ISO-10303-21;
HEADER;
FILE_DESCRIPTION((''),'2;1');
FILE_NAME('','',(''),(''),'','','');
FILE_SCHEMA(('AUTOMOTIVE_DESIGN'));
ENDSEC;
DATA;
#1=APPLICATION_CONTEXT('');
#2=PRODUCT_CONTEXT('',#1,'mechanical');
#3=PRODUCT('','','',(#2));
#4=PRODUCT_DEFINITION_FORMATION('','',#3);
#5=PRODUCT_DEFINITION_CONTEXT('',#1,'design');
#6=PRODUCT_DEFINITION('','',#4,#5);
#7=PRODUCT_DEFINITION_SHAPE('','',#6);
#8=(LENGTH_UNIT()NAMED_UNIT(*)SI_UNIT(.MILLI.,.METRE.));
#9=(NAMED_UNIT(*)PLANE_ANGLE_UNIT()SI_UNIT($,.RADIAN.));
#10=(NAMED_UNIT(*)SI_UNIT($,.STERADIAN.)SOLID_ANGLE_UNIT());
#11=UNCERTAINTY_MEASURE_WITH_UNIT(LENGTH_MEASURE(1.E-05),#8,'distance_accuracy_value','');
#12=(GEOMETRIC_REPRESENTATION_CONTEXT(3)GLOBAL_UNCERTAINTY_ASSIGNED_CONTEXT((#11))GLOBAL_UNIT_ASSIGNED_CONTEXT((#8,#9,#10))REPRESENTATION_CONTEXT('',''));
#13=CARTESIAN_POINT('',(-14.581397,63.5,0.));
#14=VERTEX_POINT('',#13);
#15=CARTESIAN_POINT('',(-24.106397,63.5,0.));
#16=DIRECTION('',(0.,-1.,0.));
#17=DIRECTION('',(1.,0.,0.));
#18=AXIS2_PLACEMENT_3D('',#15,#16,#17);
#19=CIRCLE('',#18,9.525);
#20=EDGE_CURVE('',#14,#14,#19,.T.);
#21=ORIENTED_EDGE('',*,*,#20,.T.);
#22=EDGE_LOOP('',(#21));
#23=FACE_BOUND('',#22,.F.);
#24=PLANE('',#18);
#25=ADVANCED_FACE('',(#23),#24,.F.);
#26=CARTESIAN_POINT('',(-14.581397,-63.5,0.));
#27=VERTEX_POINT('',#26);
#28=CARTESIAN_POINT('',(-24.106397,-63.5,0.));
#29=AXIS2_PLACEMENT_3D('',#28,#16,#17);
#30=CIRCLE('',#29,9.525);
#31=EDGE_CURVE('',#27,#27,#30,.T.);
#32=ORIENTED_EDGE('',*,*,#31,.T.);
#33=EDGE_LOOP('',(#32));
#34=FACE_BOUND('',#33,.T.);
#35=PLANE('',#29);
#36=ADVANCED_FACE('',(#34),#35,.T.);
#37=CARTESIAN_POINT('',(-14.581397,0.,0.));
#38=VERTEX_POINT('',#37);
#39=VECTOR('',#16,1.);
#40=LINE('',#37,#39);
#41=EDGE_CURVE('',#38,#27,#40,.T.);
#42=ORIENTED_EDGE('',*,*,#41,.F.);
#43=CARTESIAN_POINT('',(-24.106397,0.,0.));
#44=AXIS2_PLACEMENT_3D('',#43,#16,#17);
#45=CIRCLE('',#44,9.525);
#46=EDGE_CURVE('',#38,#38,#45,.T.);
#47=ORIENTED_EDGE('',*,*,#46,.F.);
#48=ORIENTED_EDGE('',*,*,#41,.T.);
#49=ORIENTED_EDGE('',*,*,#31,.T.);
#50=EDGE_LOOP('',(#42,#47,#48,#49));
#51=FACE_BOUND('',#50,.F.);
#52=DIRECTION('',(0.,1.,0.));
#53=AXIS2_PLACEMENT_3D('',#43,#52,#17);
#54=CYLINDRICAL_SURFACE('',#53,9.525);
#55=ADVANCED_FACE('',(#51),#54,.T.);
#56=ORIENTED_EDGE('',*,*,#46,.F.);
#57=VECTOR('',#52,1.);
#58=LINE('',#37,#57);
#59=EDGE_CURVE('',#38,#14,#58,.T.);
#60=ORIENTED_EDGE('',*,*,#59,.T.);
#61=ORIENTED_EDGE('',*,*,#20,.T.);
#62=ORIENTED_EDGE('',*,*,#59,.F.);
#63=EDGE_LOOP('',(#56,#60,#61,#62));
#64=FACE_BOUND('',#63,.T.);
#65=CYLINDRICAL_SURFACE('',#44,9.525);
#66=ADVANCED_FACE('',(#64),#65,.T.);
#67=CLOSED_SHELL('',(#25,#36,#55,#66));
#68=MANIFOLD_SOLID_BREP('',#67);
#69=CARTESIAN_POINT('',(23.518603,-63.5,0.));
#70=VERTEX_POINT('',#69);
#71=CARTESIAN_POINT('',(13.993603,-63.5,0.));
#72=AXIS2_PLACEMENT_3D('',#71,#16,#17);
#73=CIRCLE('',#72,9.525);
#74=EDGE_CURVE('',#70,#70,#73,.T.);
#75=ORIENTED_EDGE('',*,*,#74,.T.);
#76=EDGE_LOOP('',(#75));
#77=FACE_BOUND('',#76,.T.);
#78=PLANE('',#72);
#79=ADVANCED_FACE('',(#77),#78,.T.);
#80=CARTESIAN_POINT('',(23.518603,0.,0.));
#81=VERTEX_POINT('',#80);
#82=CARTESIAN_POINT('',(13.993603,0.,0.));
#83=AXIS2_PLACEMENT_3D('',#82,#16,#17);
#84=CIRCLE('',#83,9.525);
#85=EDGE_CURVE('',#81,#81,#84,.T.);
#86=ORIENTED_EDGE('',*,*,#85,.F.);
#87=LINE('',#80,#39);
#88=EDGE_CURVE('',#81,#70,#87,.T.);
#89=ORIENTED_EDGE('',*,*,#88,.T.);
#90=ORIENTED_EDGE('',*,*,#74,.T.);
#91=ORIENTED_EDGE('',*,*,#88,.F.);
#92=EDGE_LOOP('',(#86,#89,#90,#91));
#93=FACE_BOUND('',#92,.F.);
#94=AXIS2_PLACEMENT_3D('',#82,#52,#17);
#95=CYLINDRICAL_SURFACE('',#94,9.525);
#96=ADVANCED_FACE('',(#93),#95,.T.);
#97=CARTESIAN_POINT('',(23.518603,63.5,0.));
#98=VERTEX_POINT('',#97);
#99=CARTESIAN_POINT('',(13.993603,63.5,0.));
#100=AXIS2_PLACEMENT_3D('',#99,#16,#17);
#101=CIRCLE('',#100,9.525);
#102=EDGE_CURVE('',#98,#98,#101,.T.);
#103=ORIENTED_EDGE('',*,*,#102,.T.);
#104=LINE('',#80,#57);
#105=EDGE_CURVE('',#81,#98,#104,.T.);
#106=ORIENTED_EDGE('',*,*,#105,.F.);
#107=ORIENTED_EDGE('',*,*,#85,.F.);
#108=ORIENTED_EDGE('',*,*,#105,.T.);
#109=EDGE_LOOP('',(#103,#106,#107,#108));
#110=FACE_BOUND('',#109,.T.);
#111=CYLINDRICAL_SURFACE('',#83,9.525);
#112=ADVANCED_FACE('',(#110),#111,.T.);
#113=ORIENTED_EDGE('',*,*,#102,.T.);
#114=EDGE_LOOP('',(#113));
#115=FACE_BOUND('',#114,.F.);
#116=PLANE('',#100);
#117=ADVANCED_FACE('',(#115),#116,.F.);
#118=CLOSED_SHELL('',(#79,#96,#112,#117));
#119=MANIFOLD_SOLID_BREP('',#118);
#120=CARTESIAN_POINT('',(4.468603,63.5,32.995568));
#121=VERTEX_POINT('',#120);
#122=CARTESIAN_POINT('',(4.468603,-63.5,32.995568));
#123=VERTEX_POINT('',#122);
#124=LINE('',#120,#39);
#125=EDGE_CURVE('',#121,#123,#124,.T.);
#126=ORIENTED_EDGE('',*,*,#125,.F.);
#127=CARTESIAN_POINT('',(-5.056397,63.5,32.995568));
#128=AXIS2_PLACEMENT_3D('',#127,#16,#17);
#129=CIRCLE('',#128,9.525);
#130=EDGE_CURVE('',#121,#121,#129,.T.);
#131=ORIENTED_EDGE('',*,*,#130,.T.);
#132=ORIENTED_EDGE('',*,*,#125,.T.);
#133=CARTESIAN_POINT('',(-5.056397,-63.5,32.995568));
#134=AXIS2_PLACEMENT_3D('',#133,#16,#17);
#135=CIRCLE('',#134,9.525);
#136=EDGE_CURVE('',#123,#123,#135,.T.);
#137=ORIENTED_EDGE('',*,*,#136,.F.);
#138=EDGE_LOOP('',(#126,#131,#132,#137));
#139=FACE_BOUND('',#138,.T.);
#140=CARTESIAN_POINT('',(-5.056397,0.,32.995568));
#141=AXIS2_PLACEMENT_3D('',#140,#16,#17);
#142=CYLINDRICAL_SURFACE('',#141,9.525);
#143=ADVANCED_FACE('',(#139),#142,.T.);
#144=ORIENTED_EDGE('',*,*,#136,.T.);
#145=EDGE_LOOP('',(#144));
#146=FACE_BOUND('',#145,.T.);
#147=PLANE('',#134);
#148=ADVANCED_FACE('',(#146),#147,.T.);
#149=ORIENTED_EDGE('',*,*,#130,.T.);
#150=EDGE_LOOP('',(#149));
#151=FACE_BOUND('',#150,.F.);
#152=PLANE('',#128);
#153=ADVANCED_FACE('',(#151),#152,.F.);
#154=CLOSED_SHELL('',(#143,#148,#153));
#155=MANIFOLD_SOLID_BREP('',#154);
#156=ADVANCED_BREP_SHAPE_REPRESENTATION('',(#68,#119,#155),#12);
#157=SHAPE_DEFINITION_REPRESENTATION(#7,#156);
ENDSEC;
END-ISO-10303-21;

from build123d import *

# Parameters (mm, degrees)
F0_R     = 9.525
F1_DEPTH = 63.5


with BuildPart() as f1:
    # F0 (on Front) → F1 (new body, symmetric)
    with BuildSketch(Plane.XZ):
        with Locations((-24.106397, 0)):
            Circle(F0_R)
        with Locations((13.993603, 0)):
            Circle(F0_R)
        with Locations((-5.056397, 32.995568)):
            Circle(F0_R)
    extrude(amount=F1_DEPTH, both=True)


solid = f1.part
